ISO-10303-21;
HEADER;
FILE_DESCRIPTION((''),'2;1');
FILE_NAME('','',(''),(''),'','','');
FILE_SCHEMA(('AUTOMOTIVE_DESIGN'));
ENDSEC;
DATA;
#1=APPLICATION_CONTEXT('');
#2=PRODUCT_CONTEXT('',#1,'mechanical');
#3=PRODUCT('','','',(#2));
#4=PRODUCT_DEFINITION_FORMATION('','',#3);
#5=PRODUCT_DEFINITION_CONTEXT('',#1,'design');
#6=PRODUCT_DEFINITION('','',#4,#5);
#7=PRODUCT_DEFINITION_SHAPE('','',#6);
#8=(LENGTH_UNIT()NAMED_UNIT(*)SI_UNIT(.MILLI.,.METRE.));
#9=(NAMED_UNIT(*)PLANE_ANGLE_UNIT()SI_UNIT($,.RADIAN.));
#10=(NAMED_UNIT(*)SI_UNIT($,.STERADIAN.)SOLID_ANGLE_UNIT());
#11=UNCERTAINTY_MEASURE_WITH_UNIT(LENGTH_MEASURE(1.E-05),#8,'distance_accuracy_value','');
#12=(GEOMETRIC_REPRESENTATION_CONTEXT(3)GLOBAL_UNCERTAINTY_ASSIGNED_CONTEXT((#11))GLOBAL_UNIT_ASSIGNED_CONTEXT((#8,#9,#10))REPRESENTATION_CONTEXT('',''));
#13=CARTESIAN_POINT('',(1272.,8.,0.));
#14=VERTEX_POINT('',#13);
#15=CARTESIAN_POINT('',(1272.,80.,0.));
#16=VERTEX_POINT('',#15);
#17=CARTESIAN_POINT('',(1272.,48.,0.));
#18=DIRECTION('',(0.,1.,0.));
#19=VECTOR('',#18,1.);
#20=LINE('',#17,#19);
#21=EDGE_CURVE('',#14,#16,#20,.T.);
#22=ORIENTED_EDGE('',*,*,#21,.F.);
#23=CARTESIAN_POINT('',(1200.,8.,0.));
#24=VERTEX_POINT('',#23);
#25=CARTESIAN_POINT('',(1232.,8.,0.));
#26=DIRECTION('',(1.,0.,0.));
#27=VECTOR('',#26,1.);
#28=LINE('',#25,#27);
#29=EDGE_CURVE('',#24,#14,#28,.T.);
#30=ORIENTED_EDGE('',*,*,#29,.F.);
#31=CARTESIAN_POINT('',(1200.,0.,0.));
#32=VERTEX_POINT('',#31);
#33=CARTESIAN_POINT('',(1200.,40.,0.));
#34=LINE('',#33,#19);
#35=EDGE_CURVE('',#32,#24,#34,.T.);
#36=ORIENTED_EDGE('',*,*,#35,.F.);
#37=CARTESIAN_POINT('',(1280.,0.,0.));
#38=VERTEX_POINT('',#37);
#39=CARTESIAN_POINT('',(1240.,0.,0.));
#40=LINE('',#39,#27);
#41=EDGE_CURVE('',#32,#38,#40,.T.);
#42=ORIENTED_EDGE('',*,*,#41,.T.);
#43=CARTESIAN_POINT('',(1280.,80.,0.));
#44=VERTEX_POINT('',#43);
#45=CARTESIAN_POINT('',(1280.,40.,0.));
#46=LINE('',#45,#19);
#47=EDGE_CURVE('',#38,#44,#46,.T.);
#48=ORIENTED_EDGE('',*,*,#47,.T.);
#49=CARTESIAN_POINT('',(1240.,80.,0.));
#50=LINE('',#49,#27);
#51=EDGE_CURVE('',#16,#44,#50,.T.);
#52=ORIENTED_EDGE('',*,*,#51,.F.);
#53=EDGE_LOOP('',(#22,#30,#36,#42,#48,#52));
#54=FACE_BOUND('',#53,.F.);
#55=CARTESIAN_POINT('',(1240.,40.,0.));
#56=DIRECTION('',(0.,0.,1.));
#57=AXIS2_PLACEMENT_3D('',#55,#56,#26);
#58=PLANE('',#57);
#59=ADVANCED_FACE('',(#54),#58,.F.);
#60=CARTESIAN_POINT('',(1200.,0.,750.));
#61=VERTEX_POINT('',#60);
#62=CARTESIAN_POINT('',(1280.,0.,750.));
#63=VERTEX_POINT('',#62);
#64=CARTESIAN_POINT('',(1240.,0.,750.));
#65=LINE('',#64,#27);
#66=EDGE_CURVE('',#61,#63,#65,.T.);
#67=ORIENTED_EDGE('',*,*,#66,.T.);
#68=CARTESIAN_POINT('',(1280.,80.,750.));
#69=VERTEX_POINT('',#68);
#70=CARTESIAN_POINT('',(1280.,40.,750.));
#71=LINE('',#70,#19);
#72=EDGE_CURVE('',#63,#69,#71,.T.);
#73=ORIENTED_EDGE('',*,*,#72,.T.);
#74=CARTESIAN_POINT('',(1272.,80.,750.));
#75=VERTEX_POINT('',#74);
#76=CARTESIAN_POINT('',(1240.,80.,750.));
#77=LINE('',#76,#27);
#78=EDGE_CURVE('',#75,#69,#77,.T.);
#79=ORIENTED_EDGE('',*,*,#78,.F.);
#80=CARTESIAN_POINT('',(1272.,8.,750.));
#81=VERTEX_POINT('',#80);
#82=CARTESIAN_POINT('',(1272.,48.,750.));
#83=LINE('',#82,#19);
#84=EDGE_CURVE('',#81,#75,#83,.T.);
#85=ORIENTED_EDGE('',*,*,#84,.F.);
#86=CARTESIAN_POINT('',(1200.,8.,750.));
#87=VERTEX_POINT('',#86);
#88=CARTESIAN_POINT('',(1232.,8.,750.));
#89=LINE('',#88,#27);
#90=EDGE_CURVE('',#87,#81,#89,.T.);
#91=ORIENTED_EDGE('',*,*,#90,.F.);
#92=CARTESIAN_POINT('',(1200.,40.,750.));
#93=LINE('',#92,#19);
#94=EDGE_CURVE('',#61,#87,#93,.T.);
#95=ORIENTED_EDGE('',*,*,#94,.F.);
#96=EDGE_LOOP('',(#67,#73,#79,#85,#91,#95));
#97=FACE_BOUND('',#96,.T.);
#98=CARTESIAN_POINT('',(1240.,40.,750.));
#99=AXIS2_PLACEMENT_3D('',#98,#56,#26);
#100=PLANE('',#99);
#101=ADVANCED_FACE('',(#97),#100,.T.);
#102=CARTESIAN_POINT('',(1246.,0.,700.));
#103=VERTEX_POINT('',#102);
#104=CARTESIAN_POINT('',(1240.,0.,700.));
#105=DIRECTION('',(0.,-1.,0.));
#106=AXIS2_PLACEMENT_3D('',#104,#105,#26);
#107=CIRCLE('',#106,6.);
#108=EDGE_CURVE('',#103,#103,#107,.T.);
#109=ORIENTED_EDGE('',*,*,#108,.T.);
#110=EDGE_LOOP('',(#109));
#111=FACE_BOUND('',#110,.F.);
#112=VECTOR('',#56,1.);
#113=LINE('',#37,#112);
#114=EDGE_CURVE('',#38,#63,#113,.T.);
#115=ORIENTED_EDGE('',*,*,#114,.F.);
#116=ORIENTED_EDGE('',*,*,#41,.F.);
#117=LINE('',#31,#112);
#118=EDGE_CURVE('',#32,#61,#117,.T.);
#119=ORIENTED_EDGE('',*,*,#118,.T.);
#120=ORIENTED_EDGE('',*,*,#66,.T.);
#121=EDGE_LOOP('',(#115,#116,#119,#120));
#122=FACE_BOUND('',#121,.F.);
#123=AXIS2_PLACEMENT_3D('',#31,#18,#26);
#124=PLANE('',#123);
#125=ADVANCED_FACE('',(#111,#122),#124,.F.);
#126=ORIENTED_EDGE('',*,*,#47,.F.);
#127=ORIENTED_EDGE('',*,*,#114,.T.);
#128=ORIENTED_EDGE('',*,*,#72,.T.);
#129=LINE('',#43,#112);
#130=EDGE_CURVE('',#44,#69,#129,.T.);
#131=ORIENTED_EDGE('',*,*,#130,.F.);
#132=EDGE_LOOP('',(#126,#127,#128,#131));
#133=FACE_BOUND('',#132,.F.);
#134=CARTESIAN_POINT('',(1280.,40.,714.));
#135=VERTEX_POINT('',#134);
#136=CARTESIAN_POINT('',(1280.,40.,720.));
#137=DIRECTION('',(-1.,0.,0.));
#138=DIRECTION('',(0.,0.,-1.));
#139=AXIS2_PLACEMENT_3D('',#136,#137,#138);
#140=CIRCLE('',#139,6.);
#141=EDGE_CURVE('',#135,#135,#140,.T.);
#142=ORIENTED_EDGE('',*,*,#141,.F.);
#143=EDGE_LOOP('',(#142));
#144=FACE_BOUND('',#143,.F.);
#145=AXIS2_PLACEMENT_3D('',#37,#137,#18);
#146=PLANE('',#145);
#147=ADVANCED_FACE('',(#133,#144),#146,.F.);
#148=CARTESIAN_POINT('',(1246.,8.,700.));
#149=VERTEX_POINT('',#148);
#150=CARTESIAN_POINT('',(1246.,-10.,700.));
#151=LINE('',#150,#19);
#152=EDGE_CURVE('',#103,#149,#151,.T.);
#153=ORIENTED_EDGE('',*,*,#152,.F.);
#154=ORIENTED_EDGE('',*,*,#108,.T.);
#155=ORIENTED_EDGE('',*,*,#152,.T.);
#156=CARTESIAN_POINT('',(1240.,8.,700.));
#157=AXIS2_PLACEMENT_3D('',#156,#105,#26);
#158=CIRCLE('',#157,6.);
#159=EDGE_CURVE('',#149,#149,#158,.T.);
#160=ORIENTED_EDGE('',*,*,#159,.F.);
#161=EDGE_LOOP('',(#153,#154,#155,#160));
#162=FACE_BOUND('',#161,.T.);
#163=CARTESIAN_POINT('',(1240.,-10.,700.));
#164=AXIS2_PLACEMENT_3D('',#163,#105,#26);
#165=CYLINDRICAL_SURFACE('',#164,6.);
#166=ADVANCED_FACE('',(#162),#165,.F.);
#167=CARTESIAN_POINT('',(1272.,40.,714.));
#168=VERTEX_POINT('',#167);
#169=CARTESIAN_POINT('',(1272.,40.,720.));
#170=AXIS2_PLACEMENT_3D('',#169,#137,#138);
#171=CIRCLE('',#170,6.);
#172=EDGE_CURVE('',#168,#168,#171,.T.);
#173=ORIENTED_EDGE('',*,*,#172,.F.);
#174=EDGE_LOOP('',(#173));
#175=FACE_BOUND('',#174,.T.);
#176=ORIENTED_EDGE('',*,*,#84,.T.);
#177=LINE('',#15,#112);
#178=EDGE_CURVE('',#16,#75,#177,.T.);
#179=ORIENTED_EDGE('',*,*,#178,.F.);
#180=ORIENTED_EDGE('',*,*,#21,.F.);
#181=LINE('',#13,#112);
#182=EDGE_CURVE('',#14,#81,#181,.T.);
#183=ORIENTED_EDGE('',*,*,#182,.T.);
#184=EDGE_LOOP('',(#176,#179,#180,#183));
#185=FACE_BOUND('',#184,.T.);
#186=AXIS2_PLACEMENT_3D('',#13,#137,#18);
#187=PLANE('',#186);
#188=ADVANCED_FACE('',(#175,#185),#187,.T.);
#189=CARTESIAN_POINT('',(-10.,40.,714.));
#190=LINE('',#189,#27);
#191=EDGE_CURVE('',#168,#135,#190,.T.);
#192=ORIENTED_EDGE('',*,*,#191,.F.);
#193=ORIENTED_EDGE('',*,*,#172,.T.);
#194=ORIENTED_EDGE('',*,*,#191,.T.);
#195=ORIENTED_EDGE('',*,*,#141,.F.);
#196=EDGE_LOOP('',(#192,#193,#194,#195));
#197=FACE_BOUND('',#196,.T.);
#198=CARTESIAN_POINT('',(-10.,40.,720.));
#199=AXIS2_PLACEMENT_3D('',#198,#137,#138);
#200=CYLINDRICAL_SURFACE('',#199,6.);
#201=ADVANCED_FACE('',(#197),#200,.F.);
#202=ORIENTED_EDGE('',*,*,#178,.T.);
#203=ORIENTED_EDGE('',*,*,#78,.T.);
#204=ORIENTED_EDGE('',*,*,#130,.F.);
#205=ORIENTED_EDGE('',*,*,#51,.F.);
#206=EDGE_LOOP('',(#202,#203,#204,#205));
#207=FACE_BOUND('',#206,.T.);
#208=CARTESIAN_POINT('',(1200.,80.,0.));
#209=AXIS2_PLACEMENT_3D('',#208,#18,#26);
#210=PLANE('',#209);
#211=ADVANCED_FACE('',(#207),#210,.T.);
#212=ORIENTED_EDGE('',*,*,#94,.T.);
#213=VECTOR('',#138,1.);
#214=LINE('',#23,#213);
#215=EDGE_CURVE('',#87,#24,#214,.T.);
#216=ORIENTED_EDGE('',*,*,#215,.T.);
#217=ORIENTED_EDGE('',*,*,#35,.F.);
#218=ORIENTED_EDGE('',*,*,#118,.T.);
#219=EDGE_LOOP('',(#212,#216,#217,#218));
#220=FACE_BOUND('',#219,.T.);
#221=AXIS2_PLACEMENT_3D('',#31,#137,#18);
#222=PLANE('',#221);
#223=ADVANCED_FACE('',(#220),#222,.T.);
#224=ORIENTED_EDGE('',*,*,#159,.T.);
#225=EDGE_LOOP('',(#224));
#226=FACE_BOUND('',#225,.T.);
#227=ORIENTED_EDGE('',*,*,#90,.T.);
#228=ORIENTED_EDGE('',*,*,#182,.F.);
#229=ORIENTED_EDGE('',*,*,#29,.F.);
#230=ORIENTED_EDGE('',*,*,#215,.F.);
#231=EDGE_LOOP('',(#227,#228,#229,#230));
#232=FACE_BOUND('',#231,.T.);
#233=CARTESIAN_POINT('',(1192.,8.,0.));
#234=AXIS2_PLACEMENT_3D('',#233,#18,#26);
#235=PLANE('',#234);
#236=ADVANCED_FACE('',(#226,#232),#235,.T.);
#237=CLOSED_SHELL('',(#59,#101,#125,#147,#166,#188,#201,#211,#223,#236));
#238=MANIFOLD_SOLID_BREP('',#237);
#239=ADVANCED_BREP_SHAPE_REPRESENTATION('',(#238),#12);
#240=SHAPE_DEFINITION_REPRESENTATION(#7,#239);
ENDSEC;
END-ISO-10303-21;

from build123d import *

# Parameters (mm, degrees)
CYLINDER003_R     = 6
CYLINDER003_DEPTH = 900
CYLINDER_R        = 6
CYLINDER_DEPTH    = 1300
BOX005_W          = 80
BOX005_H          = 80
BOX005_DEPTH      = 750
BOX004_W          = 80
BOX004_H          = 80
BOX004_DEPTH      = 750


with BuildPart() as cylinder003:
    # Cylinder003 → Cylinder003 (new body)
    with BuildSketch(Plane(origin=(1240, -10, 700), x_dir=(1, 0, 0), z_dir=(0, 1, 0))):
        Circle(CYLINDER003_R)
    extrude(amount=CYLINDER003_DEPTH)


with BuildPart() as cylinder:
    # Cylinder → Cylinder (new body)
    with BuildSketch(Plane(origin=(-10, 40, 720), x_dir=(0, 0, -1), z_dir=(1, 0, 0))):
        Circle(CYLINDER_R)
    extrude(amount=CYLINDER_DEPTH)


with BuildPart() as cube005:
    # Box005 → Box005 (new body)
    with BuildSketch(Plane(origin=(1192, 8, 0), x_dir=(1, 0, 0), z_dir=(0, 0, 1))):
        with Locations((40, 40)):
            Rectangle(BOX005_W, BOX005_H)
    extrude(amount=BOX005_DEPTH)


with BuildPart() as cut011:
    # Box004 → Box004 (new body)
    with BuildSketch(Plane(origin=(1200, 0, 0), x_dir=(1, 0, 0), z_dir=(0, 0, 1))):
        with Locations((40, 40)):
            Rectangle(BOX004_W, BOX004_H)
    extrude(amount=BOX004_DEPTH)

    # Cut002: cut Cube005
    add(cube005.part, mode=Mode.SUBTRACT)

    # Cut005: cut Cylinder
    add(cylinder.part, mode=Mode.SUBTRACT)

    # Cut011: cut Cylinder003
    add(cylinder003.part, mode=Mode.SUBTRACT)


solid = cut011.part
